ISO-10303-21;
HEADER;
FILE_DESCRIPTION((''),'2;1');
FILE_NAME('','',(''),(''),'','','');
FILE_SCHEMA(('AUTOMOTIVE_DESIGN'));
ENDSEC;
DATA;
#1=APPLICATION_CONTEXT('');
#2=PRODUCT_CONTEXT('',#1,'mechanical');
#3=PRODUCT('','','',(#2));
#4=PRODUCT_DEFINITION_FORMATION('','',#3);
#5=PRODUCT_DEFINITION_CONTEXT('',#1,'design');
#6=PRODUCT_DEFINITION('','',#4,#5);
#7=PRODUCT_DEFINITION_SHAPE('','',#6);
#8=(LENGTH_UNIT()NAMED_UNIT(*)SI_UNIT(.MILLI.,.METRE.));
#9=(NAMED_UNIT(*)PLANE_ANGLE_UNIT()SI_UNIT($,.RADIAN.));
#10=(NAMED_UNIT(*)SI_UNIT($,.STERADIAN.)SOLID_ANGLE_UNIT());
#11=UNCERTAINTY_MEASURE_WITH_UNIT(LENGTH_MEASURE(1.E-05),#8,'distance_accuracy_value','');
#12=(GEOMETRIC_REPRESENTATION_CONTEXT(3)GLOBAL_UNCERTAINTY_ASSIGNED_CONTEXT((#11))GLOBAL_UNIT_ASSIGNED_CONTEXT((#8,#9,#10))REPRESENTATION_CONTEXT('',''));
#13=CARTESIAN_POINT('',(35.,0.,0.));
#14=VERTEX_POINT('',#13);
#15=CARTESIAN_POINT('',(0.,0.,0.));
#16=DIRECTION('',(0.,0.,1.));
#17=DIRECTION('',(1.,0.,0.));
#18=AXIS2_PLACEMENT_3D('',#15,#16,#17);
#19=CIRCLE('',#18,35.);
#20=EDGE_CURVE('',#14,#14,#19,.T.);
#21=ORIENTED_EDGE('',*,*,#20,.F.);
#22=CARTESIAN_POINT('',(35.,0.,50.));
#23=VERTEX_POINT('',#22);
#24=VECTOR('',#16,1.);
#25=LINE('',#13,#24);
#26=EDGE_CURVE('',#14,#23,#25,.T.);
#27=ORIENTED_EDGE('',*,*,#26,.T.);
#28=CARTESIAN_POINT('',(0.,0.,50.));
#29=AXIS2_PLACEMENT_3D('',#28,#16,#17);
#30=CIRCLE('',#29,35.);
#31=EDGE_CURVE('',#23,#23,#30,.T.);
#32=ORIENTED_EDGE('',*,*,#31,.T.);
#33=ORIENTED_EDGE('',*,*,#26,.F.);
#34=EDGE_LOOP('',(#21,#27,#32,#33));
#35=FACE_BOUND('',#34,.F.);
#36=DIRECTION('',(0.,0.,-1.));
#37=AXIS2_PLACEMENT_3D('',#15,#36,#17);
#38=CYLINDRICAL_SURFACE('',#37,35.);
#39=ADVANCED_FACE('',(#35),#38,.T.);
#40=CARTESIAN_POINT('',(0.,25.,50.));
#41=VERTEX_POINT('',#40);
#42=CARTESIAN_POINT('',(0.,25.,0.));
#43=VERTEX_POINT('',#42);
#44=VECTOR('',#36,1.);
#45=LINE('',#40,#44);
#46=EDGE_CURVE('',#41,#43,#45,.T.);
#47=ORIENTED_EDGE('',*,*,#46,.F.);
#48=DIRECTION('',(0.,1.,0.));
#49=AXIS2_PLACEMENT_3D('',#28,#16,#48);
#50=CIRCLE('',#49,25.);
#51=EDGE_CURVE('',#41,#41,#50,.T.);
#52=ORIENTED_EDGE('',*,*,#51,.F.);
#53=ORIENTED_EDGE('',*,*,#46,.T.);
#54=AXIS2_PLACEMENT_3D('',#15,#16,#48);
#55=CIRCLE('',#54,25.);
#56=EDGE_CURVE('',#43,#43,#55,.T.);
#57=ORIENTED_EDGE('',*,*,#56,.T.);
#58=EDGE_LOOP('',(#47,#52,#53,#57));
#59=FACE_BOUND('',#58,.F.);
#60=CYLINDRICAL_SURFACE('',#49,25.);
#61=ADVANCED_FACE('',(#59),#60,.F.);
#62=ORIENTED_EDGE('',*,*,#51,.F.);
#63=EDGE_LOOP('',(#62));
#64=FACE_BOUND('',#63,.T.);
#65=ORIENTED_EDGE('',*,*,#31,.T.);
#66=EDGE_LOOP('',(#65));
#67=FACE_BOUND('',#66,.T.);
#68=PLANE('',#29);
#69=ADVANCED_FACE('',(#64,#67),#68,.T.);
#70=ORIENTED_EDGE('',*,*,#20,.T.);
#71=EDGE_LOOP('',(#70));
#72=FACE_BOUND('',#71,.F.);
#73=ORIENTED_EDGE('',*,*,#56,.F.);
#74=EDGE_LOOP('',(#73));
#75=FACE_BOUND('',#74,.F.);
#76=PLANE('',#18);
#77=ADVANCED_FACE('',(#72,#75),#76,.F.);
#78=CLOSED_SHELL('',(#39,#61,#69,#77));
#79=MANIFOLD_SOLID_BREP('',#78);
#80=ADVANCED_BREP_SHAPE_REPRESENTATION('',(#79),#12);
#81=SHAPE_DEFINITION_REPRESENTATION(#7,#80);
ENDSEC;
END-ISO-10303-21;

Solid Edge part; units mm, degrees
sketch "Sketch1" plane through (0, 0, 0) normal (0, 0, 1) x (1, 0, 0)
  circle A0 centre (0, 0) radius 35
extrude "Protrusion1" add sketch "Sketch1" along normal blind 50
sketch "Sketch2" plane through (0, 0, 50) normal (0, 0, 1) x (0, 1, 0)
  circle A0 centre (0, 0) radius 25
extrude "ExtrudedCutout_3" cut sketch "Sketch2" against normal blind 50
cosmetic_thread "Thread_3" size "M70" thread depth 15
properties material "Steel - Stainless:1.4301 , X5CrNi18-10"
